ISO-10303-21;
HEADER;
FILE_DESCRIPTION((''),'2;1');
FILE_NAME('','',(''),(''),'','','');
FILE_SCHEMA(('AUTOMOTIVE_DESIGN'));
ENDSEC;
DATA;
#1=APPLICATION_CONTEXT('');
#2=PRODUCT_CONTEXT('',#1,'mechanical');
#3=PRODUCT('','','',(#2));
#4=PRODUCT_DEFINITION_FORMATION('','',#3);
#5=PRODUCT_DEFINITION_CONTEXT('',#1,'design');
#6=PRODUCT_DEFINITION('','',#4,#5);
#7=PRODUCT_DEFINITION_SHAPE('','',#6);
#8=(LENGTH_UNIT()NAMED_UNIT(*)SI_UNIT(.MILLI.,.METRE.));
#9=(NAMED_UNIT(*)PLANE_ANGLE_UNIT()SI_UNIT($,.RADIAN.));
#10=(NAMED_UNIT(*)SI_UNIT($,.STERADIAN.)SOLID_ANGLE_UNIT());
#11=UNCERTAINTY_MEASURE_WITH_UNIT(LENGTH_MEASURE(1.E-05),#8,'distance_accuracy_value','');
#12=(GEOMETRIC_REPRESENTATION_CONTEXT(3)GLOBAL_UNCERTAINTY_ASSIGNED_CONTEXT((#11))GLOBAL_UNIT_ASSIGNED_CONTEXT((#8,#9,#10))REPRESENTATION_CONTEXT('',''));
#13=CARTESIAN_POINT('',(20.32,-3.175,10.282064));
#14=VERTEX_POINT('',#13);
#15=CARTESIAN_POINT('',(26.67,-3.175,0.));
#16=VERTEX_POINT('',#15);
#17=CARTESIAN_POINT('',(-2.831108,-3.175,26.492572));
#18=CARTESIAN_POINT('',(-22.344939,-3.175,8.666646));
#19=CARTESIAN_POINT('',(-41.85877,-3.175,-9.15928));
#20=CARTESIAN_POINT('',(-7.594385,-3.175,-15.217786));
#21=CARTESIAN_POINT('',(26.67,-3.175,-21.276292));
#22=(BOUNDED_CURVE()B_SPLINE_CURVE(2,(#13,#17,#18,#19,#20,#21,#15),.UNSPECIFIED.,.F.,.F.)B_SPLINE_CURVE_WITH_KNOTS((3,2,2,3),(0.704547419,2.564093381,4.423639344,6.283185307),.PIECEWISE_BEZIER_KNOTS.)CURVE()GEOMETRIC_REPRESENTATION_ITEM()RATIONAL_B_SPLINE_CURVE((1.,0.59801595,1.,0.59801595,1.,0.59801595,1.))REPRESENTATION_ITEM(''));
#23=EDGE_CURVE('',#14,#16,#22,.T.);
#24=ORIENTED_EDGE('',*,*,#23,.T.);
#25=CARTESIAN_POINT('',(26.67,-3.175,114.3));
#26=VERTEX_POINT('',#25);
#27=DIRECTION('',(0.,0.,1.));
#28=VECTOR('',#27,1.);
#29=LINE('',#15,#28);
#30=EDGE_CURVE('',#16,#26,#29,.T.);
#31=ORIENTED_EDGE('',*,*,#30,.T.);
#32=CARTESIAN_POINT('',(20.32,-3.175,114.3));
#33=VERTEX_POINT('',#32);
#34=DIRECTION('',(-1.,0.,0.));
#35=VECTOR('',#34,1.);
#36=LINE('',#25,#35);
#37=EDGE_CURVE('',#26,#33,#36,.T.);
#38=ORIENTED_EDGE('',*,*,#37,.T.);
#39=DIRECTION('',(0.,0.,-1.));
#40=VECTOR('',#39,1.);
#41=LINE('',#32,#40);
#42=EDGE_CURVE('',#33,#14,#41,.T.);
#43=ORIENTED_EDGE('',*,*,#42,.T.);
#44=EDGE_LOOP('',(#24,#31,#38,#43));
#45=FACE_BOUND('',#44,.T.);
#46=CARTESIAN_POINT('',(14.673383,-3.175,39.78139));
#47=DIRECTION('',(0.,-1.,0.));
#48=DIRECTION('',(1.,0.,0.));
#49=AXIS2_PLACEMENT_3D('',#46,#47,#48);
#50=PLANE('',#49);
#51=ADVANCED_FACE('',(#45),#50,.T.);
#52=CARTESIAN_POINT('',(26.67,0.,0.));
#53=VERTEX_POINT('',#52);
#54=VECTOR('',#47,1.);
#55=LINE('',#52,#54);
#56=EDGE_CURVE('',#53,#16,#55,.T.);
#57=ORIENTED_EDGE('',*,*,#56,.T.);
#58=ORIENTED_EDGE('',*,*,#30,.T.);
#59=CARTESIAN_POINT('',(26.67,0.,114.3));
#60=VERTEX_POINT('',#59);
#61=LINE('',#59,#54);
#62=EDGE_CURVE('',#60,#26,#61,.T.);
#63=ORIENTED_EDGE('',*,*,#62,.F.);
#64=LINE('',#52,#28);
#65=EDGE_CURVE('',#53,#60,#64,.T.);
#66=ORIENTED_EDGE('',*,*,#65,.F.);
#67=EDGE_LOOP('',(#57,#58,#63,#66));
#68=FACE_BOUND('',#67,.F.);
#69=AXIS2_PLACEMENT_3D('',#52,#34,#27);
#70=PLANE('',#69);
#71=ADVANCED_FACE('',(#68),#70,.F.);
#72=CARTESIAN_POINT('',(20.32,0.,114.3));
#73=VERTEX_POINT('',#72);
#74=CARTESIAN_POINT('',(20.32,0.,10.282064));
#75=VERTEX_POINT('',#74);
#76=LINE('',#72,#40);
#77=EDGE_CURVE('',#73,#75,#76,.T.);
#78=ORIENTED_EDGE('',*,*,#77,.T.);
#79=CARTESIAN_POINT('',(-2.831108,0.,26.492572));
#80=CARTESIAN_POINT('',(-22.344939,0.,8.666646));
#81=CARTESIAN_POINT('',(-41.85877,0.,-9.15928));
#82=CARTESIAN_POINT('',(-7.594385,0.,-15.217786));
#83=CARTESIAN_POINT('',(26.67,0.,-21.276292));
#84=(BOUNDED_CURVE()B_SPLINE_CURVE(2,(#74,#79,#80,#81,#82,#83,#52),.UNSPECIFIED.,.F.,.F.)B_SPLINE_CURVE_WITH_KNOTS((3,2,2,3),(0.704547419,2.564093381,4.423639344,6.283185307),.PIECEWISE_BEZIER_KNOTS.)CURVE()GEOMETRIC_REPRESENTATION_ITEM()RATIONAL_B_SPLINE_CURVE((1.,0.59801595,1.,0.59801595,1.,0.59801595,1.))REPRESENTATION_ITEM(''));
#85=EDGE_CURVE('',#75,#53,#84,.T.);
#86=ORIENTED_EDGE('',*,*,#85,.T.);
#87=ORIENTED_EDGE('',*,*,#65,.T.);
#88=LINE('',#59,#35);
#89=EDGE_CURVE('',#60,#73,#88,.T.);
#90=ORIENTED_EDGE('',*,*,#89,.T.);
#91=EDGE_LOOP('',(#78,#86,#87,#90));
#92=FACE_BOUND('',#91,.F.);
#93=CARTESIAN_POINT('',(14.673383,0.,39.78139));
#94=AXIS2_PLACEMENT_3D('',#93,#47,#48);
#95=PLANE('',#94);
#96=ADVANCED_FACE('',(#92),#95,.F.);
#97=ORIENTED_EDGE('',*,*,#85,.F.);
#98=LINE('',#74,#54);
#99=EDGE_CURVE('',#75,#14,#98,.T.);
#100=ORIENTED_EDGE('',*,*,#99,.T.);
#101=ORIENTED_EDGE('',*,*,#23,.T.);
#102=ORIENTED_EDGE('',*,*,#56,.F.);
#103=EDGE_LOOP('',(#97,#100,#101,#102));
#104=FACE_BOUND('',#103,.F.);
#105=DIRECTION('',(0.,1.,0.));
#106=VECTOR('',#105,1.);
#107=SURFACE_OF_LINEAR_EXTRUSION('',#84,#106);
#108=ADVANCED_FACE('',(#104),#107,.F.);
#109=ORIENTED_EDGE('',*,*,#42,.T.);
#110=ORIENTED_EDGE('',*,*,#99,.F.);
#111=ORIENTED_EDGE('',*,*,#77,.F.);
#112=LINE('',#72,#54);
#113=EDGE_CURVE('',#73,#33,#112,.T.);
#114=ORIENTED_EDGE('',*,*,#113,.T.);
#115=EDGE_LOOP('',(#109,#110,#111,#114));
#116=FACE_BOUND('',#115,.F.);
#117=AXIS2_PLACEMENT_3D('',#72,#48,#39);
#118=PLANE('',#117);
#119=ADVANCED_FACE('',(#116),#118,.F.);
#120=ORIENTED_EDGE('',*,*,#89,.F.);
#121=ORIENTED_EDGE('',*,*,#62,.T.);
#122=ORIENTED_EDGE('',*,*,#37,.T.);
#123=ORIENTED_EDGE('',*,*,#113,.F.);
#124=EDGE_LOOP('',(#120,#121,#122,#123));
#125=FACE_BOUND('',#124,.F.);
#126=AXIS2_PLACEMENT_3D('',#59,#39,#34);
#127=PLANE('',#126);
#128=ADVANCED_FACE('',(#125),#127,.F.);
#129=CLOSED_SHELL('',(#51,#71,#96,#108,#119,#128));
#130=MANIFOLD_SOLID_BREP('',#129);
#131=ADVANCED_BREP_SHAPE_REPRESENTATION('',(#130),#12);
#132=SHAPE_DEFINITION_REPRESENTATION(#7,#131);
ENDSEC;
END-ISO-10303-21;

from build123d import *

# Parameters (mm, degrees)
F1_DEPTH = 3.175


with BuildPart() as f1:
    # F0 (on Front) → F1 (new body)
    with BuildSketch(Plane.XZ):
        with BuildLine():
            Line((20.32, 114.3), (20.32, 10.2820640155))
            add(Edge.make_bspline(
                [(20.32, 10.2820640155), (-2.8311081562, 26.4925718575), (-22.3449392136, 8.6666460529), (-41.858770271, -9.1592797518), (-7.5943851355, -15.2177856472), (26.67, -21.2762915426), (26.67, 0)],
                knots=[0.7045474185, 0.7045474185, 0.7045474185, 2.5640933814, 2.5640933814, 4.4236393443, 4.4236393443, 6.2831853072, 6.2831853072, 6.2831853072], degree=2, weights=[1, 0.5980159495, 1, 0.5980159495, 1, 0.5980159495, 1]))
            Line((26.67, 0), (26.67, 114.3))
            Line((26.67, 114.3), (20.32, 114.3))
        make_face()
    extrude(amount=F1_DEPTH)


solid = f1.part
